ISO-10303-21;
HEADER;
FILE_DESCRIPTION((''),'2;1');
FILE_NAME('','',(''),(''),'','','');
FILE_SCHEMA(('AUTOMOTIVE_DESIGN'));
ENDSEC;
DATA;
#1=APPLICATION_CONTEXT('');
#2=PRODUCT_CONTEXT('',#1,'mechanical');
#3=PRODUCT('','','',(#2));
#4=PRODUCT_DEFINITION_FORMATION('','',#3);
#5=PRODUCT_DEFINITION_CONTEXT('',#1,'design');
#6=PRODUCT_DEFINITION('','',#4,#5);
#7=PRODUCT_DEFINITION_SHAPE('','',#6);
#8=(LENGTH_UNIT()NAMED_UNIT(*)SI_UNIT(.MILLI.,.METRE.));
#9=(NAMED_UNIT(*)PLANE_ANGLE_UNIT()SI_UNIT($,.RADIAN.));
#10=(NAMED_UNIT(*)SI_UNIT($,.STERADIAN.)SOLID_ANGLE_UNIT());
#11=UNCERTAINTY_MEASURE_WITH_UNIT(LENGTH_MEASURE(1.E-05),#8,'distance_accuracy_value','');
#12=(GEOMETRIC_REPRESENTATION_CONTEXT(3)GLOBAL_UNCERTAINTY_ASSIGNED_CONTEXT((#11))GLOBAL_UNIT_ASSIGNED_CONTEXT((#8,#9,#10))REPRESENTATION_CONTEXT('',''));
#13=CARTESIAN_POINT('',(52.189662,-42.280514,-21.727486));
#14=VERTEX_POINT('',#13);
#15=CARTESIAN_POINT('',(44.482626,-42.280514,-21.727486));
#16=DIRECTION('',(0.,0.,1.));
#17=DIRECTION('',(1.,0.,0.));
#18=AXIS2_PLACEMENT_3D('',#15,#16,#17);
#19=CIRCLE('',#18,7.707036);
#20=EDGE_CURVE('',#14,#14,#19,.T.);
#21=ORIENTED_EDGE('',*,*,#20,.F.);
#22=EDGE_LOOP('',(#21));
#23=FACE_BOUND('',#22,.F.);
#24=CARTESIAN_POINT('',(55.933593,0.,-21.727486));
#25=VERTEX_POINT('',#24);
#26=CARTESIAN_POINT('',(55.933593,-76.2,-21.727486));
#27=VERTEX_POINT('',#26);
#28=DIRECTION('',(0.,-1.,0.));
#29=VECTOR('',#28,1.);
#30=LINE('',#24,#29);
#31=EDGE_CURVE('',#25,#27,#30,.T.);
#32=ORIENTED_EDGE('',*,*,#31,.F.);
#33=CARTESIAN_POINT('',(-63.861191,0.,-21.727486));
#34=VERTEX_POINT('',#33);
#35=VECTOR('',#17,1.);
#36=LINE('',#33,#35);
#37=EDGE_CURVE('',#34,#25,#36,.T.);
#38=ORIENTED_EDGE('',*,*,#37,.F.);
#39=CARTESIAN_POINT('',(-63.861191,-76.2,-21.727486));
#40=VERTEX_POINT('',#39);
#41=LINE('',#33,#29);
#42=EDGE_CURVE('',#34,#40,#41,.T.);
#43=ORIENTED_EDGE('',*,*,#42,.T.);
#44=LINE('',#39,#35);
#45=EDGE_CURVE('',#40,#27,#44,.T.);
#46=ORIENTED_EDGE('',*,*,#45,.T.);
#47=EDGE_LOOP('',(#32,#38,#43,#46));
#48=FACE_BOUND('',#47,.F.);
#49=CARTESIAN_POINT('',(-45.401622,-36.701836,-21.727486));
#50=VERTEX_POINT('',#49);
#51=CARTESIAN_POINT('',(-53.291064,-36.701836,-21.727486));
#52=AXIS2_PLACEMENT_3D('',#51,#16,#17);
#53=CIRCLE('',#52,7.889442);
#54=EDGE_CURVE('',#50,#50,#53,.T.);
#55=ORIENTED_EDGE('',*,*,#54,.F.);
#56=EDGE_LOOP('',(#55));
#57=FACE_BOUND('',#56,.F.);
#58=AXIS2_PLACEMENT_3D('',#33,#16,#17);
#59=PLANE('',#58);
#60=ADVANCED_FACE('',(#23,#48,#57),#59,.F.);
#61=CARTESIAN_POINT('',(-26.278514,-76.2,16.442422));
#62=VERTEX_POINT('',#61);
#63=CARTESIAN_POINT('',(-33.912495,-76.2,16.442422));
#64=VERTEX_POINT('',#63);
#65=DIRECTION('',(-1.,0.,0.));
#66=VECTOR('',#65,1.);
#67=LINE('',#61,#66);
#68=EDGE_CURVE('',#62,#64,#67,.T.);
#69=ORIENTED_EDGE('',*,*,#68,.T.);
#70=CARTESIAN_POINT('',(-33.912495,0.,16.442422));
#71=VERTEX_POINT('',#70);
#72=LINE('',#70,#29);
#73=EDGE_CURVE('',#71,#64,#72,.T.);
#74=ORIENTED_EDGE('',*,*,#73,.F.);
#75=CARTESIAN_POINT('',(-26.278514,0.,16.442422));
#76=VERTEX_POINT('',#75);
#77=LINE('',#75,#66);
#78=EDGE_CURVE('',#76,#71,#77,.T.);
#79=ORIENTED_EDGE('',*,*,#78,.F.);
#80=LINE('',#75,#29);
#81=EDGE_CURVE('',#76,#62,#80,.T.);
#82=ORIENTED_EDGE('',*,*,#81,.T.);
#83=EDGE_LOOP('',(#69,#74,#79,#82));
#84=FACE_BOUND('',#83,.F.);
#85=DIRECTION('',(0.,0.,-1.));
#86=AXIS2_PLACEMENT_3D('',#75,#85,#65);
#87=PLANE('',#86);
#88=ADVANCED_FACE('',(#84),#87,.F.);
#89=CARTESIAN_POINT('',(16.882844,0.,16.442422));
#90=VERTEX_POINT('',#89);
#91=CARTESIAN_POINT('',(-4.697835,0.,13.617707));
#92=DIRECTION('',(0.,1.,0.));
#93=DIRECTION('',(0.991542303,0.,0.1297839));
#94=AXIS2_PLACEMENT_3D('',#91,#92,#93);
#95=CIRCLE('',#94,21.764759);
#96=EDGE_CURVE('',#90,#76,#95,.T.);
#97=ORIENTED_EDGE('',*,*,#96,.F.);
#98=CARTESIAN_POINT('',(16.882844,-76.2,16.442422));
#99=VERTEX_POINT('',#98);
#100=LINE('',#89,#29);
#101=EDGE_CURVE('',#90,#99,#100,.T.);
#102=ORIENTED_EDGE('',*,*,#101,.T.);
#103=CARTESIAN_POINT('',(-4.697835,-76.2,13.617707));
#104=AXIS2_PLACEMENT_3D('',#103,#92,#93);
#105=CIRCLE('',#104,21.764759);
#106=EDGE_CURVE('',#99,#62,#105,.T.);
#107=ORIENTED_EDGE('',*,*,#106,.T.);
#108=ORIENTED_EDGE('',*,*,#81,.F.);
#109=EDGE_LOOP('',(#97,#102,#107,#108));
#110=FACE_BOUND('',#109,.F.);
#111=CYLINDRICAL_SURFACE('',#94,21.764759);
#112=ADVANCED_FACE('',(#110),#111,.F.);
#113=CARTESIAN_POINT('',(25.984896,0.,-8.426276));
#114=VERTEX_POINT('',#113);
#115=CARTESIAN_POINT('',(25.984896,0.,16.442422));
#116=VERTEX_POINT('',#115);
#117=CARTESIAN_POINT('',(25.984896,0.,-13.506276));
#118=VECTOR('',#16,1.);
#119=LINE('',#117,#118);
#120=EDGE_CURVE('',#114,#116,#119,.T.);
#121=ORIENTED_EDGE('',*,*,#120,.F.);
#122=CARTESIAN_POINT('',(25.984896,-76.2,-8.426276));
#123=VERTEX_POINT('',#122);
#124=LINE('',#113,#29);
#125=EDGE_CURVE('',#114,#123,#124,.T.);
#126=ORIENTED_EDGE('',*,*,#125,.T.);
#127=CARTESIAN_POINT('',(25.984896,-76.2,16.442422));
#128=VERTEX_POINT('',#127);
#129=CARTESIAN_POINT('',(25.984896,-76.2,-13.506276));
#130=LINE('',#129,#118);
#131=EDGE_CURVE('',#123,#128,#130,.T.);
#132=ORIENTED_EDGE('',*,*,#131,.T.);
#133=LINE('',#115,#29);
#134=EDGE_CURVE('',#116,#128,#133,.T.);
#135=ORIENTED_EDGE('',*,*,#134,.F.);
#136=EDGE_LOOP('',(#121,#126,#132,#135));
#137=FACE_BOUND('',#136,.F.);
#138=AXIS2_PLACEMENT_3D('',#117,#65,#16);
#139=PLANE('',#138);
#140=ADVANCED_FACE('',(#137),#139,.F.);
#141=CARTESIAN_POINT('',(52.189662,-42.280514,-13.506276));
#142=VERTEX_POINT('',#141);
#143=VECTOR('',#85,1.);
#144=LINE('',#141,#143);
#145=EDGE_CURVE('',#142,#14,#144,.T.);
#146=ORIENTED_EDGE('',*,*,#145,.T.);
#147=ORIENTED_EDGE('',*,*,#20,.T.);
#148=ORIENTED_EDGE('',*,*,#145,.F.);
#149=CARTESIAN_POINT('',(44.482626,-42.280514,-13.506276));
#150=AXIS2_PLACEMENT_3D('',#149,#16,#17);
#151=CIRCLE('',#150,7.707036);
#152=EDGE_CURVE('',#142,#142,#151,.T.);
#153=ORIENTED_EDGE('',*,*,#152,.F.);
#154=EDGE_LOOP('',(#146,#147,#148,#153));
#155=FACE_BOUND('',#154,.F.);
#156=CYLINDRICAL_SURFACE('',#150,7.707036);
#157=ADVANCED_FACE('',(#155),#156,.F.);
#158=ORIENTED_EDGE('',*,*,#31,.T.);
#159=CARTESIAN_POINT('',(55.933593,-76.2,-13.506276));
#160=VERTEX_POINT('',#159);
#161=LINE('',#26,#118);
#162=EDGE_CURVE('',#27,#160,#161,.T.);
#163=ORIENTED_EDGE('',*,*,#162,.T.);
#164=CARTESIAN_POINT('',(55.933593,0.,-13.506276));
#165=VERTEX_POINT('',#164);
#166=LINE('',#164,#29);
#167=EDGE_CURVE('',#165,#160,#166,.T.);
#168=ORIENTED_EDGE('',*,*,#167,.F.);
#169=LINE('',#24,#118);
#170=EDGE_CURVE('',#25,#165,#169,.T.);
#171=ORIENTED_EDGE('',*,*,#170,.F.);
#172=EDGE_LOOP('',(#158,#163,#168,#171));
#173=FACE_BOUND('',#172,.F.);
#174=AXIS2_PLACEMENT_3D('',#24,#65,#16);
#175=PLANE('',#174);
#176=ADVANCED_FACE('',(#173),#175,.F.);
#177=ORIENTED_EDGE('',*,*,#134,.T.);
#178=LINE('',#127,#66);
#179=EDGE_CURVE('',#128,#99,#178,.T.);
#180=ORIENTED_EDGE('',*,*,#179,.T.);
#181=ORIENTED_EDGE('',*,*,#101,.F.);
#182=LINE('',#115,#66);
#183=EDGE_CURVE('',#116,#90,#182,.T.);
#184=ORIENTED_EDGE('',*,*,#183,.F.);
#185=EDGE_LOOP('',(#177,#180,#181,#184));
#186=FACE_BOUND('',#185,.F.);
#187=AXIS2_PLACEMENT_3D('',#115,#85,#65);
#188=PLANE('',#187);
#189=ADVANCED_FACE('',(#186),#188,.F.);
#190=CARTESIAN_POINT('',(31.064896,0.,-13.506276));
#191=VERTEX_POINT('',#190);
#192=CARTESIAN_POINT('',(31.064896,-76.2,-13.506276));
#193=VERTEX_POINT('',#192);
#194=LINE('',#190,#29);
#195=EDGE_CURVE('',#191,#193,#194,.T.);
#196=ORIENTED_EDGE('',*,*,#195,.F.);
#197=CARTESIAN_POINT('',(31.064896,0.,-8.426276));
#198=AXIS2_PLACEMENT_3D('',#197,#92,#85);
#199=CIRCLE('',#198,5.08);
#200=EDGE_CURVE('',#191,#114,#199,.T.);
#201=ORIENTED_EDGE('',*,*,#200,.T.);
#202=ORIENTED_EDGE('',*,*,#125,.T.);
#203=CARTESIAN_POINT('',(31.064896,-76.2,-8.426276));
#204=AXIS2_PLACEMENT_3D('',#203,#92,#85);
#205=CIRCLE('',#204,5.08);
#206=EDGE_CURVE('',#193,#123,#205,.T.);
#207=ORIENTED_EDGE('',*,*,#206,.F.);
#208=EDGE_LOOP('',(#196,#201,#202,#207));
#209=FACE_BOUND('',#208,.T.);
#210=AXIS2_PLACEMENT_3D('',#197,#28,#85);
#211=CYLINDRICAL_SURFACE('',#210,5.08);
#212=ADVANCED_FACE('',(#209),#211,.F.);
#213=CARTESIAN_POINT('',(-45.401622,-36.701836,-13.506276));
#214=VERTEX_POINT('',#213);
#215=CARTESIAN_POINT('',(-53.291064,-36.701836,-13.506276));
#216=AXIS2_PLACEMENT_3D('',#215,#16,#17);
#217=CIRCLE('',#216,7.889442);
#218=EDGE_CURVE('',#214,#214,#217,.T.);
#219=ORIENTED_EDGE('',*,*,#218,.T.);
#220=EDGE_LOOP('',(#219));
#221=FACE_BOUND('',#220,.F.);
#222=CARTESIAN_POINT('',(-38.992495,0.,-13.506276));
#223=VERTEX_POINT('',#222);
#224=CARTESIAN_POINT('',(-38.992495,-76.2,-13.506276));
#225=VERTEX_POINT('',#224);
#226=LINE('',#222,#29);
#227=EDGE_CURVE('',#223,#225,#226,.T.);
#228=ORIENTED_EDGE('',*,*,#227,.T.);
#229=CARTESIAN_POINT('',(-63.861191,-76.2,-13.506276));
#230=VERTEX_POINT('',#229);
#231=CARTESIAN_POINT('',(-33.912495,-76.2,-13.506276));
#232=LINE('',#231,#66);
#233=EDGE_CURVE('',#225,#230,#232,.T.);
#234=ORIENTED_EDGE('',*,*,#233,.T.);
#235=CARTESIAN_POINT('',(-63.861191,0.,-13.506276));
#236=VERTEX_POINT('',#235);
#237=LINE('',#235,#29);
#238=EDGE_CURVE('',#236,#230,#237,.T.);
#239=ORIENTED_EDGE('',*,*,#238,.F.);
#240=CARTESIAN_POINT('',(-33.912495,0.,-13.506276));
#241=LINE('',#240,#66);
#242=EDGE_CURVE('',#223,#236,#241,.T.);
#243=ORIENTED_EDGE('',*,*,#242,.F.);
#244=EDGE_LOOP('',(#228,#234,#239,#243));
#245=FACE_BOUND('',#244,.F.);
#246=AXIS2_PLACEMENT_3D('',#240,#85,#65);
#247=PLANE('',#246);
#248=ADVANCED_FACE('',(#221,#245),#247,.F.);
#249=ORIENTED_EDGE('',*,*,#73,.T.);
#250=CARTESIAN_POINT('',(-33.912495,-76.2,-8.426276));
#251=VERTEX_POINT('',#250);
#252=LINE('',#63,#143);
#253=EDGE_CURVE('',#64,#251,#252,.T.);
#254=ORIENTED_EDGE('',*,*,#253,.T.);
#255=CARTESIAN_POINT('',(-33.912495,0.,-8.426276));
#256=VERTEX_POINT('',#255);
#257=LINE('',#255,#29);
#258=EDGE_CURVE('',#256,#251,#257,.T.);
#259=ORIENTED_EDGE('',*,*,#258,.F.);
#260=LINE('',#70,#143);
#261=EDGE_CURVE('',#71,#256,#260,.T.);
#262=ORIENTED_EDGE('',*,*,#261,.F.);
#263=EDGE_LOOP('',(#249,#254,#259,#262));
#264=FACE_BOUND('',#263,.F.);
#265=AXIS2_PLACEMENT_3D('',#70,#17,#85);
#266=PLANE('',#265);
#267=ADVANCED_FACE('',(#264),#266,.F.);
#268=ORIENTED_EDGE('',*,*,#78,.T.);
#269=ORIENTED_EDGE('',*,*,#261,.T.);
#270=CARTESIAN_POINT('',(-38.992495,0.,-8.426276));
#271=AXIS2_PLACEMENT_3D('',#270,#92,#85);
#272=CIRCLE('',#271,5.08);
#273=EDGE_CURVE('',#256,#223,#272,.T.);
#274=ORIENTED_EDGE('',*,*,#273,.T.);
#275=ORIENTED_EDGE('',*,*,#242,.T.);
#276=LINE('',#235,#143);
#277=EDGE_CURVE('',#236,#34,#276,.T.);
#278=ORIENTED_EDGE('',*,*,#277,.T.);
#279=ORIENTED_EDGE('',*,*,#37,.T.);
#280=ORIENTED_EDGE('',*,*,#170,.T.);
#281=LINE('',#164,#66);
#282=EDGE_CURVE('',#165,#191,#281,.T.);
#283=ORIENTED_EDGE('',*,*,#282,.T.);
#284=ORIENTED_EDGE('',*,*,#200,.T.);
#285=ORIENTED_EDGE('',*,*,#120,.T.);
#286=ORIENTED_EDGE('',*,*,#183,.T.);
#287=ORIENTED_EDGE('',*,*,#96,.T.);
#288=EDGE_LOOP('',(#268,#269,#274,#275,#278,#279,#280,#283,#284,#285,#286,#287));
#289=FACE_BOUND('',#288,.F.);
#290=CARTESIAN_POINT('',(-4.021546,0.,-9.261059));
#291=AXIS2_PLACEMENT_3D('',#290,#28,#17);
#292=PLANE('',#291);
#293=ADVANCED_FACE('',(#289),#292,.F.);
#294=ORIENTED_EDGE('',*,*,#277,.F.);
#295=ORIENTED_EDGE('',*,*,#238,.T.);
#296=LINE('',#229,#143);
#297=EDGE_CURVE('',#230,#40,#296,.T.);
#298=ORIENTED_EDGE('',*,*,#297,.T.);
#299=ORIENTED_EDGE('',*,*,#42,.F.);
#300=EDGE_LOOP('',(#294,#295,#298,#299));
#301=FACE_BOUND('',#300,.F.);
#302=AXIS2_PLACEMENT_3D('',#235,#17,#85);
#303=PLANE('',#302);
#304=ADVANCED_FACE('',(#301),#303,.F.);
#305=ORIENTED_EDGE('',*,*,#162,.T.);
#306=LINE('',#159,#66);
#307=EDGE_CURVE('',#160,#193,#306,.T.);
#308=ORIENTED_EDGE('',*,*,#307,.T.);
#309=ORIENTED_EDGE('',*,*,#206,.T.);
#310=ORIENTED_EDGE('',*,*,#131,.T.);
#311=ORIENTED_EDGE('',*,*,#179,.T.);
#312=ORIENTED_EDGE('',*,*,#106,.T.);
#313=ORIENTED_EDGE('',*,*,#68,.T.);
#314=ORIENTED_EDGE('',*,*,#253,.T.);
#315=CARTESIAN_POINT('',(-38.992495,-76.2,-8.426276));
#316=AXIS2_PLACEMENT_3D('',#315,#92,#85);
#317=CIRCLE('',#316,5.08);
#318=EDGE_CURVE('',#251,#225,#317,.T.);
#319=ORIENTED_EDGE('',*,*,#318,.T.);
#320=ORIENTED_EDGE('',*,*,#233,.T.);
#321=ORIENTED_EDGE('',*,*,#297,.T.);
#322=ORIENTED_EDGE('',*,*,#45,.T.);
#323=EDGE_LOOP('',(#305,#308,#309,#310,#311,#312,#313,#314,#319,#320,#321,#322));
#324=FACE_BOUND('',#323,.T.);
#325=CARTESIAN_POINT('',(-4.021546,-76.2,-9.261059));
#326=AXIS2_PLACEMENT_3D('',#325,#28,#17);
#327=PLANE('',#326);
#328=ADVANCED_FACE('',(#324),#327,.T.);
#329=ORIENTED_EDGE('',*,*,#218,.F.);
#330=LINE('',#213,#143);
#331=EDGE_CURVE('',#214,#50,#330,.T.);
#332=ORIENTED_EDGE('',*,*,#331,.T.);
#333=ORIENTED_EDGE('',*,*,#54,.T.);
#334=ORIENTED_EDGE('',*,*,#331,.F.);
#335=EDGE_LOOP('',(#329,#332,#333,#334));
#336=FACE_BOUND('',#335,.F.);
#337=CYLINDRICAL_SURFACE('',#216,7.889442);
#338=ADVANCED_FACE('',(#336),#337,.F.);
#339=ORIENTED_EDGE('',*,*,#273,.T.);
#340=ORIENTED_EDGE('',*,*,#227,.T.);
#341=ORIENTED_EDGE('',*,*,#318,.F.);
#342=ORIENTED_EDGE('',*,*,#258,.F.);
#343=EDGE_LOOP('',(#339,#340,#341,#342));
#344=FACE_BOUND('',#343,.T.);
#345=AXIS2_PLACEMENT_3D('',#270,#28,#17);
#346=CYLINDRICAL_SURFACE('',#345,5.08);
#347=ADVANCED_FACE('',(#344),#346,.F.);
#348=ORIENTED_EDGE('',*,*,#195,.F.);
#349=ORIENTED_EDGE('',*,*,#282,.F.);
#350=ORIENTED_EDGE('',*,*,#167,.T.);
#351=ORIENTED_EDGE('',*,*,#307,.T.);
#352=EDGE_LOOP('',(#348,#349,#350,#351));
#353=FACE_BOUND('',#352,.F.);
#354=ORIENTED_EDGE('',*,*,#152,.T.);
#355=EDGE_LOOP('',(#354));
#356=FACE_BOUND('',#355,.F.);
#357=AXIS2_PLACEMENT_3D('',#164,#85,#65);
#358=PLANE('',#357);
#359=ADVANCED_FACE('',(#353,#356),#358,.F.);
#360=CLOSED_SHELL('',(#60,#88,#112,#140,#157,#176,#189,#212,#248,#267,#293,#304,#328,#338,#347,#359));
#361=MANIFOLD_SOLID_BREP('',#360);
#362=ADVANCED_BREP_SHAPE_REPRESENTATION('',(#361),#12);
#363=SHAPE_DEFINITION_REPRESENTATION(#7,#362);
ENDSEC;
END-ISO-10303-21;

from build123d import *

# Parameters (mm, degrees)
F1_DEPTH = 76.2
F2_R     = 5.08
F3_R     = 7.707036
F3_R_2   = 7.889442
F4_DEPTH = 25.4


with BuildPart() as f1:
    # F0 (on Front) → F1 (new body)
    with BuildSketch(Plane.XZ):
        with BuildLine():
            Line((-63.861191, -13.506276), (-63.861191, -21.727486))
            Line((-63.861191, -21.727486), (55.933593, -21.727486))
            Line((55.933593, -21.727486), (55.933593, -13.506276))
            Line((55.933593, -13.506276), (25.984896, -13.506276))
            Line((25.984896, -13.506276), (25.984896, 16.442422))
            Line((25.984896, 16.442422), (16.882844, 16.442422))
            ThreePointArc((16.882844, 16.442422), (-4.697835, -8.147052), (-26.278514, 16.442422))
            Line((-26.278514, 16.442422), (-33.912495, 16.442422))
            Line((-33.912495, 16.442422), (-33.912495, -13.506276))
            Line((-33.912495, -13.506276), (-63.861191, -13.506276))
        make_face()
    extrude(amount=F1_DEPTH)

    # F2
    f2_edges = [f1.edges().sort_by_distance(p)[0] for p in [
        (-33.912495, -38.1, -13.506276),
        (25.984896, -38.1, -13.506276),
    ]]
    fillet(f2_edges, radius=F2_R)

    # F3 (on face) → F4 (cut)
    with BuildSketch(Plane.XY.offset(-13.506276)):
        with Locations((44.482626, -42.280514)):
            Circle(F3_R)
        with Locations((-53.291064, -36.701836)):
            Circle(F3_R_2)
    extrude(amount=-F4_DEPTH, mode=Mode.SUBTRACT)


solid = f1.part
